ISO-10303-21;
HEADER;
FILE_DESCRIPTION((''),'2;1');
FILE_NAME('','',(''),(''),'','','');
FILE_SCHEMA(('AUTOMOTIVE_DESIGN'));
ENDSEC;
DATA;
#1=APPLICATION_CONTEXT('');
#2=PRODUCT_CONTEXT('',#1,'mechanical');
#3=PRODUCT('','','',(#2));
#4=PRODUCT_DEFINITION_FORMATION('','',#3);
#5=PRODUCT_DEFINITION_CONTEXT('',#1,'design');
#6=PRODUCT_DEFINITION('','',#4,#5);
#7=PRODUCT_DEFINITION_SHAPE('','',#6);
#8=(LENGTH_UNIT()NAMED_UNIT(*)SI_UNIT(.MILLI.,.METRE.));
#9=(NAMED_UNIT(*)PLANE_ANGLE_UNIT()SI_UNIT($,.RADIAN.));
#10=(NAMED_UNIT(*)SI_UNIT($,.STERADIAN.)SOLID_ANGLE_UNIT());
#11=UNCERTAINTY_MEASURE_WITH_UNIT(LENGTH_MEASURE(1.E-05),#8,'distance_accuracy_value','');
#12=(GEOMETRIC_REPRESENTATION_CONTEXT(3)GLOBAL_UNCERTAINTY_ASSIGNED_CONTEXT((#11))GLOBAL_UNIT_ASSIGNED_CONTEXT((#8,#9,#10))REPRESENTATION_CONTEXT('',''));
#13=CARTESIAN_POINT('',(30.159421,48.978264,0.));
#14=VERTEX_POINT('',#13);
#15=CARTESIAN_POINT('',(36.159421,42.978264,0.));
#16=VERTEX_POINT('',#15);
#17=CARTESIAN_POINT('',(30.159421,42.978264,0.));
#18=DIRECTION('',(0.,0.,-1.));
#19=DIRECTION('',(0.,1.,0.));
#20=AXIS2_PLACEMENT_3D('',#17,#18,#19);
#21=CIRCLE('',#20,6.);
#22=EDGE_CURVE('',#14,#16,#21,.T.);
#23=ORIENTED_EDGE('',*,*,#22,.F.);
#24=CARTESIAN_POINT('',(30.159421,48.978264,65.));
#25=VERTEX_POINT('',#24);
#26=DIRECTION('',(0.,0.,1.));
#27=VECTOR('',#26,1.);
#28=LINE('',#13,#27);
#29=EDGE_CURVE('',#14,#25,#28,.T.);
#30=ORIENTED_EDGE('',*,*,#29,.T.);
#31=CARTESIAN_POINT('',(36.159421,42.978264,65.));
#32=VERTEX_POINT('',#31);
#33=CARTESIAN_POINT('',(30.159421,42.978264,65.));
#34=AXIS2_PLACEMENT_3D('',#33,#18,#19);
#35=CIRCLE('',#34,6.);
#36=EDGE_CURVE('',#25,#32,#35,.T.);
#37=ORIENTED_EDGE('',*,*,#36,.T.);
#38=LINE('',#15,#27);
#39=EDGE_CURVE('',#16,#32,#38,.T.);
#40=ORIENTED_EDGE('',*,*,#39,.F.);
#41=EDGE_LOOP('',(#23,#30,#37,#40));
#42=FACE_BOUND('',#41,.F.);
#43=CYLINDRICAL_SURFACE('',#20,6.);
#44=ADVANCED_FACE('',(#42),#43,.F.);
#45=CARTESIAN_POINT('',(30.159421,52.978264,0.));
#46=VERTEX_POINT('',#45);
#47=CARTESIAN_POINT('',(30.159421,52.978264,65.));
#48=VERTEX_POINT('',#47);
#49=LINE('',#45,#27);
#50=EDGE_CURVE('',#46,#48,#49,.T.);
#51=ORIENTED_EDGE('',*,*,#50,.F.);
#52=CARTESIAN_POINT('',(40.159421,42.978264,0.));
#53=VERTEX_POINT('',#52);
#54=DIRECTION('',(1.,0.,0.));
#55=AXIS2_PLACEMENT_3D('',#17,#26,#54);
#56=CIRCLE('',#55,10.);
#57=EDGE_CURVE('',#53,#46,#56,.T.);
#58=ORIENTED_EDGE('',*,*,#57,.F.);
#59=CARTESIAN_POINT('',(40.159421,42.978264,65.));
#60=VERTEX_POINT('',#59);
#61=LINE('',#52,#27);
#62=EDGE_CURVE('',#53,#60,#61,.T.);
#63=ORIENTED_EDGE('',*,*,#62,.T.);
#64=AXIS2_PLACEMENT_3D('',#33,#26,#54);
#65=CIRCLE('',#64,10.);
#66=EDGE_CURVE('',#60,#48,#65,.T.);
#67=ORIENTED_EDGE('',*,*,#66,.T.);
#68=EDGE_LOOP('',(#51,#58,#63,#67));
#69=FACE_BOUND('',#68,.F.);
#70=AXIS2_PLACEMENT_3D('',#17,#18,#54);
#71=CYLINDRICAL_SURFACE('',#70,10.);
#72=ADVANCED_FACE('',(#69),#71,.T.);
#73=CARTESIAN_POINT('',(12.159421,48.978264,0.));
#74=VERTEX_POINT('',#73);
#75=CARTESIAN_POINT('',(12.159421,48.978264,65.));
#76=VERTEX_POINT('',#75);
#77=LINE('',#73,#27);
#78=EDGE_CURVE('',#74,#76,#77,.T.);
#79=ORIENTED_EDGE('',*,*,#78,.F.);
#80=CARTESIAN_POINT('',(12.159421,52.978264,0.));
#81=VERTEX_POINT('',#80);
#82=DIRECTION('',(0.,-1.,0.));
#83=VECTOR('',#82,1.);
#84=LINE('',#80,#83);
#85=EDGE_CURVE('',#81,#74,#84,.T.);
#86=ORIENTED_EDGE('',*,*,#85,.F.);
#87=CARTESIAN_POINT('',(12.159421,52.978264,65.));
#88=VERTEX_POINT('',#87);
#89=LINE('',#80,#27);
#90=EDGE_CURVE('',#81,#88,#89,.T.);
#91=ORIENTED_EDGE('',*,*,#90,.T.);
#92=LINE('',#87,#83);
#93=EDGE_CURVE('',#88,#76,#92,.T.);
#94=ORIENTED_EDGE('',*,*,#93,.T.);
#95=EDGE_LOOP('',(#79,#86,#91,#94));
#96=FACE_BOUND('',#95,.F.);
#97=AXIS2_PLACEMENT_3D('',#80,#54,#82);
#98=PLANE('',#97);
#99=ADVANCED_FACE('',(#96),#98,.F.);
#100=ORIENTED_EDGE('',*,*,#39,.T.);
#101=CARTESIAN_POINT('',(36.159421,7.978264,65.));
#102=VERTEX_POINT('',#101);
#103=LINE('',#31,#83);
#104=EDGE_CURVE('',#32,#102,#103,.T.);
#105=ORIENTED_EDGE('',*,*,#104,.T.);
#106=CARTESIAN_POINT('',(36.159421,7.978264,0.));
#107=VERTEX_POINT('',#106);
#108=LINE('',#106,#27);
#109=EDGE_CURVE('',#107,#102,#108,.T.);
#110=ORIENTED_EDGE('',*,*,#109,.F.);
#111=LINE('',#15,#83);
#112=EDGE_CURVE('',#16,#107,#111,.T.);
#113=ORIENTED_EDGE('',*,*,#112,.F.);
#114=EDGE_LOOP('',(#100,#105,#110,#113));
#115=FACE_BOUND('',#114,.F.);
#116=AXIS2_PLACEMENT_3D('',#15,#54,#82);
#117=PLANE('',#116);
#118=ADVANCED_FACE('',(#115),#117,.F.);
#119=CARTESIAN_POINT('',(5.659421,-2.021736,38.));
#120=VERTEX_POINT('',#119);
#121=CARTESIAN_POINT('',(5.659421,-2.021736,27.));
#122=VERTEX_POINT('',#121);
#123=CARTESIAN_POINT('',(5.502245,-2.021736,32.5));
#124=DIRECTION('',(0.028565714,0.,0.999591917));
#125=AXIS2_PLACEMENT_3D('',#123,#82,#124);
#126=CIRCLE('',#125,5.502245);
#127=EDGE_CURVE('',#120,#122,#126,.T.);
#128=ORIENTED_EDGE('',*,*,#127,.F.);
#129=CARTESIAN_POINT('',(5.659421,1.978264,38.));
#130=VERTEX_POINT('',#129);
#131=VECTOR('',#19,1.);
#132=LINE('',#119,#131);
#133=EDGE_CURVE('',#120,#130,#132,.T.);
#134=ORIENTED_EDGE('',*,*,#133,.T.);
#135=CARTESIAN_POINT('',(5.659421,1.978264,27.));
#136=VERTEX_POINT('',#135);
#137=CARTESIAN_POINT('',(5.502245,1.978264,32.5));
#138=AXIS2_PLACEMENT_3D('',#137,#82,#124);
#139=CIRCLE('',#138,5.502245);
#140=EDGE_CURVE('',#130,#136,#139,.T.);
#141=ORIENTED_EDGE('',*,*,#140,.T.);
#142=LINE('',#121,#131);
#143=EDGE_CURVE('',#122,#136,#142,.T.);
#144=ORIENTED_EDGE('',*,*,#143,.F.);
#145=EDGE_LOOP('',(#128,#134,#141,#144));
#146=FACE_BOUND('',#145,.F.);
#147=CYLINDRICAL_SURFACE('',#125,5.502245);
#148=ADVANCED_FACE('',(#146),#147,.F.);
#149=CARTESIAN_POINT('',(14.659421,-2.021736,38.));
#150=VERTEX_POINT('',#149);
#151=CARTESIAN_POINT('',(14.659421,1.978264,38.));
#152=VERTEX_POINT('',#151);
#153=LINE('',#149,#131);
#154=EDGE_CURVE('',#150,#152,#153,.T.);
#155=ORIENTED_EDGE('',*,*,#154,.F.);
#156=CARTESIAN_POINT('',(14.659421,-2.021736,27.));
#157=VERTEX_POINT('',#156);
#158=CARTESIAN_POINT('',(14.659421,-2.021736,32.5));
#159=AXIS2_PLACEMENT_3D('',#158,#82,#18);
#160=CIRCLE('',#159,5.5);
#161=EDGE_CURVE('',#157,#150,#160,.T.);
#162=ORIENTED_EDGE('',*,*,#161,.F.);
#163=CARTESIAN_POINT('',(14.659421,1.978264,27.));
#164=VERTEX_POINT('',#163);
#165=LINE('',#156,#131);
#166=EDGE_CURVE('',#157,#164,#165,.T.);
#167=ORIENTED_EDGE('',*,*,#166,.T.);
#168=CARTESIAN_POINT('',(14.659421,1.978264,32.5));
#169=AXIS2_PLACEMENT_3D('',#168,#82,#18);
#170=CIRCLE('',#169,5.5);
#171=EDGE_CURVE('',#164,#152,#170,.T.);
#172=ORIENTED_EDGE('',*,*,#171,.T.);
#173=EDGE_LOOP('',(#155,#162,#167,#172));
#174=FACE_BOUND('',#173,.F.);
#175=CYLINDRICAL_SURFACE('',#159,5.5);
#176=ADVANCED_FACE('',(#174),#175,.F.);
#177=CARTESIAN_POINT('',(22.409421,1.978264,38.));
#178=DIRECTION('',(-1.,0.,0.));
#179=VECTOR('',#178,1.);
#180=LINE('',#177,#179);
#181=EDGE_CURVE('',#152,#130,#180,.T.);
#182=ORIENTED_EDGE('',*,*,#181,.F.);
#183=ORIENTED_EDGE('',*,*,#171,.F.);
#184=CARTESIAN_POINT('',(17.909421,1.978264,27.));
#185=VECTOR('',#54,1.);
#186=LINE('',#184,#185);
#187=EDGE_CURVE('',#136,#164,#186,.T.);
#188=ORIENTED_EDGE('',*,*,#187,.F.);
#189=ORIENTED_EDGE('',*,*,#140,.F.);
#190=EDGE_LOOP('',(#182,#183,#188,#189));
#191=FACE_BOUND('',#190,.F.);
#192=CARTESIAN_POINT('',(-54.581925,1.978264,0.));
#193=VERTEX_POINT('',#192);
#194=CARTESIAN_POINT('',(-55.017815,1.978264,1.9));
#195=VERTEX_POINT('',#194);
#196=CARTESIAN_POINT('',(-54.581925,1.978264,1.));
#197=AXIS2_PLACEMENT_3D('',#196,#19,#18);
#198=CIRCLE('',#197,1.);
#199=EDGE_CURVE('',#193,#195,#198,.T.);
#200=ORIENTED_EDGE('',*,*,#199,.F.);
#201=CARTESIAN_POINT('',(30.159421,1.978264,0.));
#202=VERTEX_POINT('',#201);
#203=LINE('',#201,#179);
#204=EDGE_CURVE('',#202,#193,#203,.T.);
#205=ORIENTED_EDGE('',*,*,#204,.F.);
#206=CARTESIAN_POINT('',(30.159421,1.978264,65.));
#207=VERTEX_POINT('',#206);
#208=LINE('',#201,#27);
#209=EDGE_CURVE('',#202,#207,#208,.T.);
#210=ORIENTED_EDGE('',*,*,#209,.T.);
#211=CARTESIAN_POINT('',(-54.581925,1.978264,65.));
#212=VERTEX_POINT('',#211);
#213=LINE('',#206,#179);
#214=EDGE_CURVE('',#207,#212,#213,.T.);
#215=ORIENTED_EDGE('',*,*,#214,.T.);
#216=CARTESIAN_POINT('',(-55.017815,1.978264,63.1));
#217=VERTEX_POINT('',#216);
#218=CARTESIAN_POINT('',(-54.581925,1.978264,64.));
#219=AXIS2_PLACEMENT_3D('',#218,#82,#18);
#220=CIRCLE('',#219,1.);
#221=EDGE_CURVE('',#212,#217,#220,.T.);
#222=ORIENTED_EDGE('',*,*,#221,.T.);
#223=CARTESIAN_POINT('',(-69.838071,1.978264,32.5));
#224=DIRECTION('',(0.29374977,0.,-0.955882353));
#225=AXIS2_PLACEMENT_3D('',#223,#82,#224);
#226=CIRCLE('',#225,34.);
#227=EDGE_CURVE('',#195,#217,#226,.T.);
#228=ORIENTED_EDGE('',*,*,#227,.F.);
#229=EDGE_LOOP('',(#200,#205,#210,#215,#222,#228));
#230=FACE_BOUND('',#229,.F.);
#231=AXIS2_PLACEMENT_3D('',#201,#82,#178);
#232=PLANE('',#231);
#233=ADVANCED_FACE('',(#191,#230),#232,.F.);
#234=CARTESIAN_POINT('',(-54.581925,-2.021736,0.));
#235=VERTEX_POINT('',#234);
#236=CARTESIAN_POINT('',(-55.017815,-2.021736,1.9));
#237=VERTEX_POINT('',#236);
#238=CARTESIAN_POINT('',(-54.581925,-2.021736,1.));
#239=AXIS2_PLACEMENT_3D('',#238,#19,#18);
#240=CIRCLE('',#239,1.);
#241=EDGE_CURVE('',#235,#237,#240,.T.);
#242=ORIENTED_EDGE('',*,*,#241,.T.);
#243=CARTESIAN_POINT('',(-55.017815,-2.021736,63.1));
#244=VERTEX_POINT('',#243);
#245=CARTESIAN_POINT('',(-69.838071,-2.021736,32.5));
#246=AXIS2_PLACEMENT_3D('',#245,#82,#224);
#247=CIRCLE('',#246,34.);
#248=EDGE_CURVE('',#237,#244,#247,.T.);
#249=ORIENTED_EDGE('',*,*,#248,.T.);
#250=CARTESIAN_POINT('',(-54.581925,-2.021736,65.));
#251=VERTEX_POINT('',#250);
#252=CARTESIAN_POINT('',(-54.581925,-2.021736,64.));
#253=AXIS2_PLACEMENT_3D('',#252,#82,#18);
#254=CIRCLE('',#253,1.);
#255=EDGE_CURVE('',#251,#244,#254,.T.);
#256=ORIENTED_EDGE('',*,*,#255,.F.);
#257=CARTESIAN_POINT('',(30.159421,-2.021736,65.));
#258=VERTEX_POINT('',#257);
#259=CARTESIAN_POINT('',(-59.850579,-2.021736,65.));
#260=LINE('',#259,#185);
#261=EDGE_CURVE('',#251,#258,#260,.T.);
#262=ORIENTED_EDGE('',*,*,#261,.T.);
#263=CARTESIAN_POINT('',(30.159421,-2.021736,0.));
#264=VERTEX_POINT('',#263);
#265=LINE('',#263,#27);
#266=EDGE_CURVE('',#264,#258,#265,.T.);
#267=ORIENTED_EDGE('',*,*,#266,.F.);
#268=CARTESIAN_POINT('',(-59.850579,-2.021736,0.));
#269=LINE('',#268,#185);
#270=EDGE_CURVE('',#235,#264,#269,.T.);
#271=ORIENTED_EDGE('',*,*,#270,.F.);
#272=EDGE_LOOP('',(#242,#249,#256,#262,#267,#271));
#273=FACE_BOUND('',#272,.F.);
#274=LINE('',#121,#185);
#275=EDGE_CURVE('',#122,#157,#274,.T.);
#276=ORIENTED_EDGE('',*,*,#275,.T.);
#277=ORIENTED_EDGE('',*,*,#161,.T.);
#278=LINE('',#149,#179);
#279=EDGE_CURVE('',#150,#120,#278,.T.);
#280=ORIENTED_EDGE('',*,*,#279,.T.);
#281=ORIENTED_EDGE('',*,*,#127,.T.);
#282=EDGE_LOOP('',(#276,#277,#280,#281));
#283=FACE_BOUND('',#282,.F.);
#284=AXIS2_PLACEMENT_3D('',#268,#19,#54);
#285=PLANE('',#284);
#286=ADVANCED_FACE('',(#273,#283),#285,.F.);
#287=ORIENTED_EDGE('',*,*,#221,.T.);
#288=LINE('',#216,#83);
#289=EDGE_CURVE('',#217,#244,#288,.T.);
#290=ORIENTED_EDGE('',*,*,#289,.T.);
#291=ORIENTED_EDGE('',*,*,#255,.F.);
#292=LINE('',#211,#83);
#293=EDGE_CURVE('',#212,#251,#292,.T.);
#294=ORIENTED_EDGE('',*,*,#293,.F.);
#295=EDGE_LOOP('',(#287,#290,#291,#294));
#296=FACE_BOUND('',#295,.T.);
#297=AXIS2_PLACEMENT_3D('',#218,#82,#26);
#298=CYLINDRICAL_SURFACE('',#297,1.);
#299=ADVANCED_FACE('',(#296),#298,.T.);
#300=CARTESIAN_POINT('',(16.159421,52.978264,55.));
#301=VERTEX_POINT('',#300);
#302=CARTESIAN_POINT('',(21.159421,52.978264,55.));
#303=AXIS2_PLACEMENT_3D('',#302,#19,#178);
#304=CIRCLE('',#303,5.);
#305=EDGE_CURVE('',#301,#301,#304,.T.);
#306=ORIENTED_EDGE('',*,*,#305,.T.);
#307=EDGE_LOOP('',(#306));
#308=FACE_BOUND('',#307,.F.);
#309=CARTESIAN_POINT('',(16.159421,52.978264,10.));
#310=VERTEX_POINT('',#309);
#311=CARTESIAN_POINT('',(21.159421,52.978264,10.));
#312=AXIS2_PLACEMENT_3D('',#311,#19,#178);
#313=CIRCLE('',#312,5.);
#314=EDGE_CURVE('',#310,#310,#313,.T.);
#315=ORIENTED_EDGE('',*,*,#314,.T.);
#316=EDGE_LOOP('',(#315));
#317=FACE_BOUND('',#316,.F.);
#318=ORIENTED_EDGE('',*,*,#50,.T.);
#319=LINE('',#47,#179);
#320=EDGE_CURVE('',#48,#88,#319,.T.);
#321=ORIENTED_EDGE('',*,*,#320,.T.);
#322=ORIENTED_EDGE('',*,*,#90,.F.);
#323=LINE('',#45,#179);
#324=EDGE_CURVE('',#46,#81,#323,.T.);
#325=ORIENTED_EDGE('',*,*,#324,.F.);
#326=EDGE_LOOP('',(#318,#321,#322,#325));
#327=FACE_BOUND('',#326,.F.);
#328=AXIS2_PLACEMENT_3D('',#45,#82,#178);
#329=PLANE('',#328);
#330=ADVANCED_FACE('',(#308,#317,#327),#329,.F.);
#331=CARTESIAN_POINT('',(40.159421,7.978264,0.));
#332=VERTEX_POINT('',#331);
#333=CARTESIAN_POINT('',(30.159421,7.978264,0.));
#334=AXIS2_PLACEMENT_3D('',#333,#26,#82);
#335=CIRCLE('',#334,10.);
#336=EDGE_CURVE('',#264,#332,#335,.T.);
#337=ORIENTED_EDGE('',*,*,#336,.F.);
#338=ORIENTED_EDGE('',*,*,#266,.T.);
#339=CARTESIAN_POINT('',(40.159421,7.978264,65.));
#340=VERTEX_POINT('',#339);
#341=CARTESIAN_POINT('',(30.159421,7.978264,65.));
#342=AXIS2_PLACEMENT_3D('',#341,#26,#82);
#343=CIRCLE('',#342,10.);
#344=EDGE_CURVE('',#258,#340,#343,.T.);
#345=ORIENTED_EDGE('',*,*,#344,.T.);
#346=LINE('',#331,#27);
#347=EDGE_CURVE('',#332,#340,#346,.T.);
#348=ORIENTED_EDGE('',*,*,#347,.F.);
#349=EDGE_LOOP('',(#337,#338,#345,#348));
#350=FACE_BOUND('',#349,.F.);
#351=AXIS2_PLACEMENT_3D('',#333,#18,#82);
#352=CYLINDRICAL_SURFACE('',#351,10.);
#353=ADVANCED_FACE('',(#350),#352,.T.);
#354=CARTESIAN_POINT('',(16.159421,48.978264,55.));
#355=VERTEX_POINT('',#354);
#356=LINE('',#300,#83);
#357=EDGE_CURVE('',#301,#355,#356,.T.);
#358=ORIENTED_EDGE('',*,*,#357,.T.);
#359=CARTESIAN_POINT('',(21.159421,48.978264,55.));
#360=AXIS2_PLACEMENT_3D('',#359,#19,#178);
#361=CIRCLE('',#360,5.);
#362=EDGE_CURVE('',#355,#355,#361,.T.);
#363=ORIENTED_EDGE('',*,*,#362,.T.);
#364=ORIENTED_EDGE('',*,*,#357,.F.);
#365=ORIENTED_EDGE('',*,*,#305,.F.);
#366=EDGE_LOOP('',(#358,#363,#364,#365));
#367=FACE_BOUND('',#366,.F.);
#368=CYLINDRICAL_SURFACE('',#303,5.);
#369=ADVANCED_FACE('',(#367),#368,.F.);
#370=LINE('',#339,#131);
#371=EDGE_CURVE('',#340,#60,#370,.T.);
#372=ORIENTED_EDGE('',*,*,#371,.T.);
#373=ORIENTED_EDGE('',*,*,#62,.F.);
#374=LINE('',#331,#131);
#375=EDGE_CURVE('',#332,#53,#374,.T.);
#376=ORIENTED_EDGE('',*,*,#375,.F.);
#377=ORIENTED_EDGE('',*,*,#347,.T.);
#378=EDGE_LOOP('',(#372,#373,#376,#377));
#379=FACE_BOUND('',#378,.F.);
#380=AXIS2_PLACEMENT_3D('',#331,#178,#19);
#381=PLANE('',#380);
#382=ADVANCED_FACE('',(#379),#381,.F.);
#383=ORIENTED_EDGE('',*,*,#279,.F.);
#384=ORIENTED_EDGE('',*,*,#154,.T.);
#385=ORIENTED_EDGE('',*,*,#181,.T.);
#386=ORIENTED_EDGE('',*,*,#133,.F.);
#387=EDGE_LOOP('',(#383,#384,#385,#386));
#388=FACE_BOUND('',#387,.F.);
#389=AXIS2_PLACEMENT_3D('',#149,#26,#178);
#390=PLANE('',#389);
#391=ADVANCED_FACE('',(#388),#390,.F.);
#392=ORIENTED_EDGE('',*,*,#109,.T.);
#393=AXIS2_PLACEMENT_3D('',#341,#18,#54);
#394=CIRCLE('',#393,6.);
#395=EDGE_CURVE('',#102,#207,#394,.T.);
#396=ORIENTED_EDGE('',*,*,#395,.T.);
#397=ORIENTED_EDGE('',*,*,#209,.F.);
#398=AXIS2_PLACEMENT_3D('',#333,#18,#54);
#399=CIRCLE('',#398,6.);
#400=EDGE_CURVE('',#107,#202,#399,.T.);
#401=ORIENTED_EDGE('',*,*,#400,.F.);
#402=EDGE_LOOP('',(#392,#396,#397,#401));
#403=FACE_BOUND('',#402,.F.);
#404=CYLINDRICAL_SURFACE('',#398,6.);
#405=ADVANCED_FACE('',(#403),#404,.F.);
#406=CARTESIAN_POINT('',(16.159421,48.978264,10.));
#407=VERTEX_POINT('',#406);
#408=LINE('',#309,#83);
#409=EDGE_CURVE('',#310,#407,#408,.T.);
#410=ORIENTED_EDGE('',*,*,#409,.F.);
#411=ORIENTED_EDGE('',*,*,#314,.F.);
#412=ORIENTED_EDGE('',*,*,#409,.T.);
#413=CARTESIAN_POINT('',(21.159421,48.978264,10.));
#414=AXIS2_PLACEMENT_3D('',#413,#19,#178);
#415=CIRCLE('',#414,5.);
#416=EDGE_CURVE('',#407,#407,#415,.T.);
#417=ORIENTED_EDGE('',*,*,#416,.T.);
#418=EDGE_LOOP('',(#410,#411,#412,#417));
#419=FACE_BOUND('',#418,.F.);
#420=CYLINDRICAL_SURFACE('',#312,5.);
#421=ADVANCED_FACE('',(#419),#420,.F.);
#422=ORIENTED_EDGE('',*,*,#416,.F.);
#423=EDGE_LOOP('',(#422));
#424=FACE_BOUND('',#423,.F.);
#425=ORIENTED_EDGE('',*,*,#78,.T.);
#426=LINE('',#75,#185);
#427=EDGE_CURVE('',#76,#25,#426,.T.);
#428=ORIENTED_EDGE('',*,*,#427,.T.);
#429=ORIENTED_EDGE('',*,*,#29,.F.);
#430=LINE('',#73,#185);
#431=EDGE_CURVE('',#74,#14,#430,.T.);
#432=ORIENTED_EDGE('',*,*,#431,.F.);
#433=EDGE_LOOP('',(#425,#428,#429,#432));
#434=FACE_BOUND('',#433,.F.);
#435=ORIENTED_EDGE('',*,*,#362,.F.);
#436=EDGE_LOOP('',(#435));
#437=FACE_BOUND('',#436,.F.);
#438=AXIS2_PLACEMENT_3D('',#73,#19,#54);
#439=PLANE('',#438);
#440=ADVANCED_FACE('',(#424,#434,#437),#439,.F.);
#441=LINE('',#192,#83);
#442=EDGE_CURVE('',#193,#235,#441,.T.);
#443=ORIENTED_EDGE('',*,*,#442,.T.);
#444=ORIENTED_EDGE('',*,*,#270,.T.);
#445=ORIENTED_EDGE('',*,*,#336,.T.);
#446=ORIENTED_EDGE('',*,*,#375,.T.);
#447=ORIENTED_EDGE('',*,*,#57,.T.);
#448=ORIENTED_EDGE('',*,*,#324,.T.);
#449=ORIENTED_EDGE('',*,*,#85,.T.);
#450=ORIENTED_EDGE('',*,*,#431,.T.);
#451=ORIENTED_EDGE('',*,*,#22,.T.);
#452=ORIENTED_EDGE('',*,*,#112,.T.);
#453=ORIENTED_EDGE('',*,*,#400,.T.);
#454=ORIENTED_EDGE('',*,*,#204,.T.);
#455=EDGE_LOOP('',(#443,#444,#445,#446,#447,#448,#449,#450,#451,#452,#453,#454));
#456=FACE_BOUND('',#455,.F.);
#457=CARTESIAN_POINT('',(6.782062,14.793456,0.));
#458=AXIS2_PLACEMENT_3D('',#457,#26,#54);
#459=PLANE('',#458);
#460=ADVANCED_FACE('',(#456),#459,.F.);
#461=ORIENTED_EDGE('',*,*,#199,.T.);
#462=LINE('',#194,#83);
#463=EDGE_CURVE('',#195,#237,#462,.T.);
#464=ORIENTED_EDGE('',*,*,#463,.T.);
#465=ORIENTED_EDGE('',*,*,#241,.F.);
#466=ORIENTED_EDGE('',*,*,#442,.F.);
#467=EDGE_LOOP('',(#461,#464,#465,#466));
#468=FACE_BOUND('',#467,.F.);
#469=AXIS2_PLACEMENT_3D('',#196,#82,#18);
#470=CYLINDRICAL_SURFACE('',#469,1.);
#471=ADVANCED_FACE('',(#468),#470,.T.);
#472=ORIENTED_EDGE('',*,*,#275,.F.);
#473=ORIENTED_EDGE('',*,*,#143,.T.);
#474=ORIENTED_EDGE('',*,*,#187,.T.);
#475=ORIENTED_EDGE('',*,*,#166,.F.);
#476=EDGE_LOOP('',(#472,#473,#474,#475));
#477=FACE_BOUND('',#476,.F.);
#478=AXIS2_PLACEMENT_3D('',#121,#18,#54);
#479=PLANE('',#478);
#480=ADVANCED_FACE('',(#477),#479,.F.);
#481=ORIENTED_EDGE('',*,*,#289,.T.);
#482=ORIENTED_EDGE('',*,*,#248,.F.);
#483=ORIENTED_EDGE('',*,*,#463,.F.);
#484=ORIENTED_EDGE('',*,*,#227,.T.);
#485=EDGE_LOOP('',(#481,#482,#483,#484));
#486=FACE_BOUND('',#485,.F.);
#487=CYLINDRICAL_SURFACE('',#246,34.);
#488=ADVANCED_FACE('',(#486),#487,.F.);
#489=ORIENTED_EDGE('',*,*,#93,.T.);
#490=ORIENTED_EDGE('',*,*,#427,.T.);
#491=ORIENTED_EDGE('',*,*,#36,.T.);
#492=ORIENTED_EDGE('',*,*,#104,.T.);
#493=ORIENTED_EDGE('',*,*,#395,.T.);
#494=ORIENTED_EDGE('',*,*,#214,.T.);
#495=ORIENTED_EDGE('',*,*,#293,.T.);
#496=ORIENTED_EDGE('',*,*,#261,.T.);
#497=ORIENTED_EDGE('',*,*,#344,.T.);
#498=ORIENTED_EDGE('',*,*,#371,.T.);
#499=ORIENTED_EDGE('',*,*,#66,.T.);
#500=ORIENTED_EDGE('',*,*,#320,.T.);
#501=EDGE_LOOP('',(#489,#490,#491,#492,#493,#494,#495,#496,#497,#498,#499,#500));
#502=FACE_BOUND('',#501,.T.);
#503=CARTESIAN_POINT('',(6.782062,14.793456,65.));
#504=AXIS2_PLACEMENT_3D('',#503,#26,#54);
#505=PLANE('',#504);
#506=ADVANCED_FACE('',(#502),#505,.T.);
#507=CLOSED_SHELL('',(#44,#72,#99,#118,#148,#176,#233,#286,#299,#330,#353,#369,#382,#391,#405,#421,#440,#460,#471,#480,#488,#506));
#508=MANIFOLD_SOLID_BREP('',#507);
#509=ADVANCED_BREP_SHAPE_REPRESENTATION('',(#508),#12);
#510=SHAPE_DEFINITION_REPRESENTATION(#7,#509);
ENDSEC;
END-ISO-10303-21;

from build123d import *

# Parameters (mm, degrees)
F1_DEPTH = 65
F2_R     = 5
F3_DEPTH = 25
F5_DEPTH = 25
F6_R     = 1
F8_DEPTH = 15


with BuildPart() as f1:
    # F0 (on Top) → F1 (new body)
    with BuildSketch(Plane.XY):
        with BuildLine():
            Line((30.1594209448, 52.9782638401), (12.1594209448, 52.9782638401))
            Line((12.1594209448, 52.9782638401), (12.1594209448, 48.9782638401))
            Line((12.1594209448, 48.9782638401), (30.1594209448, 48.9782638401))
            ThreePointArc((30.1594209448, 48.9782638401), (34.4020616319, 47.2209045272), (36.1594209448, 42.9782638401))
            Line((36.1594209448, 42.9782638401), (36.1594209448, 7.9782638401))
            ThreePointArc((36.1594209448, 7.9782638401), (34.4020616319, 3.735623153), (30.1594209448, 1.9782638401))
            Line((30.1594209448, 1.9782638401), (-59.8505790552, 1.9782638401))
            Line((-59.8505790552, 1.9782638401), (-59.8505790552, -2.0217361599))
            Line((-59.8505790552, -2.0217361599), (30.1594209448, -2.0217361599))
            ThreePointArc((30.1594209448, -2.0217361599), (37.2304887566, 0.9071960282), (40.1594209448, 7.9782638401))
            Line((40.1594209448, 7.9782638401), (40.1594209448, 42.9782638401))
            ThreePointArc((40.1594209448, 42.9782638401), (37.2304887566, 50.0493316519), (30.1594209448, 52.9782638401))
        make_face()
    extrude(amount=F1_DEPTH)

    # F2 (on face) → F3 (cut)
    with BuildSketch(Plane(origin=(0, 52.9782638401, 0), x_dir=(-1, 0, 0), z_dir=(0, 1, 0))):
        with Locations((-21.1594209448, 10)):
            Circle(F2_R)
        with Locations((-21.1594209448, 55)):
            Circle(F2_R)
    extrude(amount=-F3_DEPTH, mode=Mode.SUBTRACT)

    # F4 (on face) → F5 (cut)
    with BuildSketch(Plane.XZ.offset(2.0217361599)):
        with BuildLine():
            Line((-59.8505790552, 65), (-59.8505790552, 0))
            ThreePointArc((-59.8505790552, 0), (-35.838071233, 32.5), (-59.8505790552, 65))
        make_face()
    extrude(amount=-F5_DEPTH, mode=Mode.SUBTRACT)

    # F6
    f6_edges = [f1.edges().sort_by_distance(p)[0] for p in [
        (-59.850579, -0.021736, 65),
        (-59.850579, -0.021736, 0),
    ]]
    fillet(f6_edges, radius=F6_R)

    # F7 (on face) → F8 (cut)
    with BuildSketch(Plane.XZ.offset(2.0217361599)):
        with BuildLine():
            ThreePointArc((14.6594209448, 27), (20.1594209448, 32.5), (14.6594209448, 38))
            Line((14.6594209448, 38), (5.6594209448, 38))
            ThreePointArc((5.6594209448, 38), (0, 32.5), (5.6594209448, 27))
            Line((5.6594209448, 27), (10.1594209448, 27))
            Line((10.1594209448, 27), (14.6594209448, 27))
        make_face()
    extrude(amount=-F8_DEPTH, mode=Mode.SUBTRACT)


solid = f1.part
